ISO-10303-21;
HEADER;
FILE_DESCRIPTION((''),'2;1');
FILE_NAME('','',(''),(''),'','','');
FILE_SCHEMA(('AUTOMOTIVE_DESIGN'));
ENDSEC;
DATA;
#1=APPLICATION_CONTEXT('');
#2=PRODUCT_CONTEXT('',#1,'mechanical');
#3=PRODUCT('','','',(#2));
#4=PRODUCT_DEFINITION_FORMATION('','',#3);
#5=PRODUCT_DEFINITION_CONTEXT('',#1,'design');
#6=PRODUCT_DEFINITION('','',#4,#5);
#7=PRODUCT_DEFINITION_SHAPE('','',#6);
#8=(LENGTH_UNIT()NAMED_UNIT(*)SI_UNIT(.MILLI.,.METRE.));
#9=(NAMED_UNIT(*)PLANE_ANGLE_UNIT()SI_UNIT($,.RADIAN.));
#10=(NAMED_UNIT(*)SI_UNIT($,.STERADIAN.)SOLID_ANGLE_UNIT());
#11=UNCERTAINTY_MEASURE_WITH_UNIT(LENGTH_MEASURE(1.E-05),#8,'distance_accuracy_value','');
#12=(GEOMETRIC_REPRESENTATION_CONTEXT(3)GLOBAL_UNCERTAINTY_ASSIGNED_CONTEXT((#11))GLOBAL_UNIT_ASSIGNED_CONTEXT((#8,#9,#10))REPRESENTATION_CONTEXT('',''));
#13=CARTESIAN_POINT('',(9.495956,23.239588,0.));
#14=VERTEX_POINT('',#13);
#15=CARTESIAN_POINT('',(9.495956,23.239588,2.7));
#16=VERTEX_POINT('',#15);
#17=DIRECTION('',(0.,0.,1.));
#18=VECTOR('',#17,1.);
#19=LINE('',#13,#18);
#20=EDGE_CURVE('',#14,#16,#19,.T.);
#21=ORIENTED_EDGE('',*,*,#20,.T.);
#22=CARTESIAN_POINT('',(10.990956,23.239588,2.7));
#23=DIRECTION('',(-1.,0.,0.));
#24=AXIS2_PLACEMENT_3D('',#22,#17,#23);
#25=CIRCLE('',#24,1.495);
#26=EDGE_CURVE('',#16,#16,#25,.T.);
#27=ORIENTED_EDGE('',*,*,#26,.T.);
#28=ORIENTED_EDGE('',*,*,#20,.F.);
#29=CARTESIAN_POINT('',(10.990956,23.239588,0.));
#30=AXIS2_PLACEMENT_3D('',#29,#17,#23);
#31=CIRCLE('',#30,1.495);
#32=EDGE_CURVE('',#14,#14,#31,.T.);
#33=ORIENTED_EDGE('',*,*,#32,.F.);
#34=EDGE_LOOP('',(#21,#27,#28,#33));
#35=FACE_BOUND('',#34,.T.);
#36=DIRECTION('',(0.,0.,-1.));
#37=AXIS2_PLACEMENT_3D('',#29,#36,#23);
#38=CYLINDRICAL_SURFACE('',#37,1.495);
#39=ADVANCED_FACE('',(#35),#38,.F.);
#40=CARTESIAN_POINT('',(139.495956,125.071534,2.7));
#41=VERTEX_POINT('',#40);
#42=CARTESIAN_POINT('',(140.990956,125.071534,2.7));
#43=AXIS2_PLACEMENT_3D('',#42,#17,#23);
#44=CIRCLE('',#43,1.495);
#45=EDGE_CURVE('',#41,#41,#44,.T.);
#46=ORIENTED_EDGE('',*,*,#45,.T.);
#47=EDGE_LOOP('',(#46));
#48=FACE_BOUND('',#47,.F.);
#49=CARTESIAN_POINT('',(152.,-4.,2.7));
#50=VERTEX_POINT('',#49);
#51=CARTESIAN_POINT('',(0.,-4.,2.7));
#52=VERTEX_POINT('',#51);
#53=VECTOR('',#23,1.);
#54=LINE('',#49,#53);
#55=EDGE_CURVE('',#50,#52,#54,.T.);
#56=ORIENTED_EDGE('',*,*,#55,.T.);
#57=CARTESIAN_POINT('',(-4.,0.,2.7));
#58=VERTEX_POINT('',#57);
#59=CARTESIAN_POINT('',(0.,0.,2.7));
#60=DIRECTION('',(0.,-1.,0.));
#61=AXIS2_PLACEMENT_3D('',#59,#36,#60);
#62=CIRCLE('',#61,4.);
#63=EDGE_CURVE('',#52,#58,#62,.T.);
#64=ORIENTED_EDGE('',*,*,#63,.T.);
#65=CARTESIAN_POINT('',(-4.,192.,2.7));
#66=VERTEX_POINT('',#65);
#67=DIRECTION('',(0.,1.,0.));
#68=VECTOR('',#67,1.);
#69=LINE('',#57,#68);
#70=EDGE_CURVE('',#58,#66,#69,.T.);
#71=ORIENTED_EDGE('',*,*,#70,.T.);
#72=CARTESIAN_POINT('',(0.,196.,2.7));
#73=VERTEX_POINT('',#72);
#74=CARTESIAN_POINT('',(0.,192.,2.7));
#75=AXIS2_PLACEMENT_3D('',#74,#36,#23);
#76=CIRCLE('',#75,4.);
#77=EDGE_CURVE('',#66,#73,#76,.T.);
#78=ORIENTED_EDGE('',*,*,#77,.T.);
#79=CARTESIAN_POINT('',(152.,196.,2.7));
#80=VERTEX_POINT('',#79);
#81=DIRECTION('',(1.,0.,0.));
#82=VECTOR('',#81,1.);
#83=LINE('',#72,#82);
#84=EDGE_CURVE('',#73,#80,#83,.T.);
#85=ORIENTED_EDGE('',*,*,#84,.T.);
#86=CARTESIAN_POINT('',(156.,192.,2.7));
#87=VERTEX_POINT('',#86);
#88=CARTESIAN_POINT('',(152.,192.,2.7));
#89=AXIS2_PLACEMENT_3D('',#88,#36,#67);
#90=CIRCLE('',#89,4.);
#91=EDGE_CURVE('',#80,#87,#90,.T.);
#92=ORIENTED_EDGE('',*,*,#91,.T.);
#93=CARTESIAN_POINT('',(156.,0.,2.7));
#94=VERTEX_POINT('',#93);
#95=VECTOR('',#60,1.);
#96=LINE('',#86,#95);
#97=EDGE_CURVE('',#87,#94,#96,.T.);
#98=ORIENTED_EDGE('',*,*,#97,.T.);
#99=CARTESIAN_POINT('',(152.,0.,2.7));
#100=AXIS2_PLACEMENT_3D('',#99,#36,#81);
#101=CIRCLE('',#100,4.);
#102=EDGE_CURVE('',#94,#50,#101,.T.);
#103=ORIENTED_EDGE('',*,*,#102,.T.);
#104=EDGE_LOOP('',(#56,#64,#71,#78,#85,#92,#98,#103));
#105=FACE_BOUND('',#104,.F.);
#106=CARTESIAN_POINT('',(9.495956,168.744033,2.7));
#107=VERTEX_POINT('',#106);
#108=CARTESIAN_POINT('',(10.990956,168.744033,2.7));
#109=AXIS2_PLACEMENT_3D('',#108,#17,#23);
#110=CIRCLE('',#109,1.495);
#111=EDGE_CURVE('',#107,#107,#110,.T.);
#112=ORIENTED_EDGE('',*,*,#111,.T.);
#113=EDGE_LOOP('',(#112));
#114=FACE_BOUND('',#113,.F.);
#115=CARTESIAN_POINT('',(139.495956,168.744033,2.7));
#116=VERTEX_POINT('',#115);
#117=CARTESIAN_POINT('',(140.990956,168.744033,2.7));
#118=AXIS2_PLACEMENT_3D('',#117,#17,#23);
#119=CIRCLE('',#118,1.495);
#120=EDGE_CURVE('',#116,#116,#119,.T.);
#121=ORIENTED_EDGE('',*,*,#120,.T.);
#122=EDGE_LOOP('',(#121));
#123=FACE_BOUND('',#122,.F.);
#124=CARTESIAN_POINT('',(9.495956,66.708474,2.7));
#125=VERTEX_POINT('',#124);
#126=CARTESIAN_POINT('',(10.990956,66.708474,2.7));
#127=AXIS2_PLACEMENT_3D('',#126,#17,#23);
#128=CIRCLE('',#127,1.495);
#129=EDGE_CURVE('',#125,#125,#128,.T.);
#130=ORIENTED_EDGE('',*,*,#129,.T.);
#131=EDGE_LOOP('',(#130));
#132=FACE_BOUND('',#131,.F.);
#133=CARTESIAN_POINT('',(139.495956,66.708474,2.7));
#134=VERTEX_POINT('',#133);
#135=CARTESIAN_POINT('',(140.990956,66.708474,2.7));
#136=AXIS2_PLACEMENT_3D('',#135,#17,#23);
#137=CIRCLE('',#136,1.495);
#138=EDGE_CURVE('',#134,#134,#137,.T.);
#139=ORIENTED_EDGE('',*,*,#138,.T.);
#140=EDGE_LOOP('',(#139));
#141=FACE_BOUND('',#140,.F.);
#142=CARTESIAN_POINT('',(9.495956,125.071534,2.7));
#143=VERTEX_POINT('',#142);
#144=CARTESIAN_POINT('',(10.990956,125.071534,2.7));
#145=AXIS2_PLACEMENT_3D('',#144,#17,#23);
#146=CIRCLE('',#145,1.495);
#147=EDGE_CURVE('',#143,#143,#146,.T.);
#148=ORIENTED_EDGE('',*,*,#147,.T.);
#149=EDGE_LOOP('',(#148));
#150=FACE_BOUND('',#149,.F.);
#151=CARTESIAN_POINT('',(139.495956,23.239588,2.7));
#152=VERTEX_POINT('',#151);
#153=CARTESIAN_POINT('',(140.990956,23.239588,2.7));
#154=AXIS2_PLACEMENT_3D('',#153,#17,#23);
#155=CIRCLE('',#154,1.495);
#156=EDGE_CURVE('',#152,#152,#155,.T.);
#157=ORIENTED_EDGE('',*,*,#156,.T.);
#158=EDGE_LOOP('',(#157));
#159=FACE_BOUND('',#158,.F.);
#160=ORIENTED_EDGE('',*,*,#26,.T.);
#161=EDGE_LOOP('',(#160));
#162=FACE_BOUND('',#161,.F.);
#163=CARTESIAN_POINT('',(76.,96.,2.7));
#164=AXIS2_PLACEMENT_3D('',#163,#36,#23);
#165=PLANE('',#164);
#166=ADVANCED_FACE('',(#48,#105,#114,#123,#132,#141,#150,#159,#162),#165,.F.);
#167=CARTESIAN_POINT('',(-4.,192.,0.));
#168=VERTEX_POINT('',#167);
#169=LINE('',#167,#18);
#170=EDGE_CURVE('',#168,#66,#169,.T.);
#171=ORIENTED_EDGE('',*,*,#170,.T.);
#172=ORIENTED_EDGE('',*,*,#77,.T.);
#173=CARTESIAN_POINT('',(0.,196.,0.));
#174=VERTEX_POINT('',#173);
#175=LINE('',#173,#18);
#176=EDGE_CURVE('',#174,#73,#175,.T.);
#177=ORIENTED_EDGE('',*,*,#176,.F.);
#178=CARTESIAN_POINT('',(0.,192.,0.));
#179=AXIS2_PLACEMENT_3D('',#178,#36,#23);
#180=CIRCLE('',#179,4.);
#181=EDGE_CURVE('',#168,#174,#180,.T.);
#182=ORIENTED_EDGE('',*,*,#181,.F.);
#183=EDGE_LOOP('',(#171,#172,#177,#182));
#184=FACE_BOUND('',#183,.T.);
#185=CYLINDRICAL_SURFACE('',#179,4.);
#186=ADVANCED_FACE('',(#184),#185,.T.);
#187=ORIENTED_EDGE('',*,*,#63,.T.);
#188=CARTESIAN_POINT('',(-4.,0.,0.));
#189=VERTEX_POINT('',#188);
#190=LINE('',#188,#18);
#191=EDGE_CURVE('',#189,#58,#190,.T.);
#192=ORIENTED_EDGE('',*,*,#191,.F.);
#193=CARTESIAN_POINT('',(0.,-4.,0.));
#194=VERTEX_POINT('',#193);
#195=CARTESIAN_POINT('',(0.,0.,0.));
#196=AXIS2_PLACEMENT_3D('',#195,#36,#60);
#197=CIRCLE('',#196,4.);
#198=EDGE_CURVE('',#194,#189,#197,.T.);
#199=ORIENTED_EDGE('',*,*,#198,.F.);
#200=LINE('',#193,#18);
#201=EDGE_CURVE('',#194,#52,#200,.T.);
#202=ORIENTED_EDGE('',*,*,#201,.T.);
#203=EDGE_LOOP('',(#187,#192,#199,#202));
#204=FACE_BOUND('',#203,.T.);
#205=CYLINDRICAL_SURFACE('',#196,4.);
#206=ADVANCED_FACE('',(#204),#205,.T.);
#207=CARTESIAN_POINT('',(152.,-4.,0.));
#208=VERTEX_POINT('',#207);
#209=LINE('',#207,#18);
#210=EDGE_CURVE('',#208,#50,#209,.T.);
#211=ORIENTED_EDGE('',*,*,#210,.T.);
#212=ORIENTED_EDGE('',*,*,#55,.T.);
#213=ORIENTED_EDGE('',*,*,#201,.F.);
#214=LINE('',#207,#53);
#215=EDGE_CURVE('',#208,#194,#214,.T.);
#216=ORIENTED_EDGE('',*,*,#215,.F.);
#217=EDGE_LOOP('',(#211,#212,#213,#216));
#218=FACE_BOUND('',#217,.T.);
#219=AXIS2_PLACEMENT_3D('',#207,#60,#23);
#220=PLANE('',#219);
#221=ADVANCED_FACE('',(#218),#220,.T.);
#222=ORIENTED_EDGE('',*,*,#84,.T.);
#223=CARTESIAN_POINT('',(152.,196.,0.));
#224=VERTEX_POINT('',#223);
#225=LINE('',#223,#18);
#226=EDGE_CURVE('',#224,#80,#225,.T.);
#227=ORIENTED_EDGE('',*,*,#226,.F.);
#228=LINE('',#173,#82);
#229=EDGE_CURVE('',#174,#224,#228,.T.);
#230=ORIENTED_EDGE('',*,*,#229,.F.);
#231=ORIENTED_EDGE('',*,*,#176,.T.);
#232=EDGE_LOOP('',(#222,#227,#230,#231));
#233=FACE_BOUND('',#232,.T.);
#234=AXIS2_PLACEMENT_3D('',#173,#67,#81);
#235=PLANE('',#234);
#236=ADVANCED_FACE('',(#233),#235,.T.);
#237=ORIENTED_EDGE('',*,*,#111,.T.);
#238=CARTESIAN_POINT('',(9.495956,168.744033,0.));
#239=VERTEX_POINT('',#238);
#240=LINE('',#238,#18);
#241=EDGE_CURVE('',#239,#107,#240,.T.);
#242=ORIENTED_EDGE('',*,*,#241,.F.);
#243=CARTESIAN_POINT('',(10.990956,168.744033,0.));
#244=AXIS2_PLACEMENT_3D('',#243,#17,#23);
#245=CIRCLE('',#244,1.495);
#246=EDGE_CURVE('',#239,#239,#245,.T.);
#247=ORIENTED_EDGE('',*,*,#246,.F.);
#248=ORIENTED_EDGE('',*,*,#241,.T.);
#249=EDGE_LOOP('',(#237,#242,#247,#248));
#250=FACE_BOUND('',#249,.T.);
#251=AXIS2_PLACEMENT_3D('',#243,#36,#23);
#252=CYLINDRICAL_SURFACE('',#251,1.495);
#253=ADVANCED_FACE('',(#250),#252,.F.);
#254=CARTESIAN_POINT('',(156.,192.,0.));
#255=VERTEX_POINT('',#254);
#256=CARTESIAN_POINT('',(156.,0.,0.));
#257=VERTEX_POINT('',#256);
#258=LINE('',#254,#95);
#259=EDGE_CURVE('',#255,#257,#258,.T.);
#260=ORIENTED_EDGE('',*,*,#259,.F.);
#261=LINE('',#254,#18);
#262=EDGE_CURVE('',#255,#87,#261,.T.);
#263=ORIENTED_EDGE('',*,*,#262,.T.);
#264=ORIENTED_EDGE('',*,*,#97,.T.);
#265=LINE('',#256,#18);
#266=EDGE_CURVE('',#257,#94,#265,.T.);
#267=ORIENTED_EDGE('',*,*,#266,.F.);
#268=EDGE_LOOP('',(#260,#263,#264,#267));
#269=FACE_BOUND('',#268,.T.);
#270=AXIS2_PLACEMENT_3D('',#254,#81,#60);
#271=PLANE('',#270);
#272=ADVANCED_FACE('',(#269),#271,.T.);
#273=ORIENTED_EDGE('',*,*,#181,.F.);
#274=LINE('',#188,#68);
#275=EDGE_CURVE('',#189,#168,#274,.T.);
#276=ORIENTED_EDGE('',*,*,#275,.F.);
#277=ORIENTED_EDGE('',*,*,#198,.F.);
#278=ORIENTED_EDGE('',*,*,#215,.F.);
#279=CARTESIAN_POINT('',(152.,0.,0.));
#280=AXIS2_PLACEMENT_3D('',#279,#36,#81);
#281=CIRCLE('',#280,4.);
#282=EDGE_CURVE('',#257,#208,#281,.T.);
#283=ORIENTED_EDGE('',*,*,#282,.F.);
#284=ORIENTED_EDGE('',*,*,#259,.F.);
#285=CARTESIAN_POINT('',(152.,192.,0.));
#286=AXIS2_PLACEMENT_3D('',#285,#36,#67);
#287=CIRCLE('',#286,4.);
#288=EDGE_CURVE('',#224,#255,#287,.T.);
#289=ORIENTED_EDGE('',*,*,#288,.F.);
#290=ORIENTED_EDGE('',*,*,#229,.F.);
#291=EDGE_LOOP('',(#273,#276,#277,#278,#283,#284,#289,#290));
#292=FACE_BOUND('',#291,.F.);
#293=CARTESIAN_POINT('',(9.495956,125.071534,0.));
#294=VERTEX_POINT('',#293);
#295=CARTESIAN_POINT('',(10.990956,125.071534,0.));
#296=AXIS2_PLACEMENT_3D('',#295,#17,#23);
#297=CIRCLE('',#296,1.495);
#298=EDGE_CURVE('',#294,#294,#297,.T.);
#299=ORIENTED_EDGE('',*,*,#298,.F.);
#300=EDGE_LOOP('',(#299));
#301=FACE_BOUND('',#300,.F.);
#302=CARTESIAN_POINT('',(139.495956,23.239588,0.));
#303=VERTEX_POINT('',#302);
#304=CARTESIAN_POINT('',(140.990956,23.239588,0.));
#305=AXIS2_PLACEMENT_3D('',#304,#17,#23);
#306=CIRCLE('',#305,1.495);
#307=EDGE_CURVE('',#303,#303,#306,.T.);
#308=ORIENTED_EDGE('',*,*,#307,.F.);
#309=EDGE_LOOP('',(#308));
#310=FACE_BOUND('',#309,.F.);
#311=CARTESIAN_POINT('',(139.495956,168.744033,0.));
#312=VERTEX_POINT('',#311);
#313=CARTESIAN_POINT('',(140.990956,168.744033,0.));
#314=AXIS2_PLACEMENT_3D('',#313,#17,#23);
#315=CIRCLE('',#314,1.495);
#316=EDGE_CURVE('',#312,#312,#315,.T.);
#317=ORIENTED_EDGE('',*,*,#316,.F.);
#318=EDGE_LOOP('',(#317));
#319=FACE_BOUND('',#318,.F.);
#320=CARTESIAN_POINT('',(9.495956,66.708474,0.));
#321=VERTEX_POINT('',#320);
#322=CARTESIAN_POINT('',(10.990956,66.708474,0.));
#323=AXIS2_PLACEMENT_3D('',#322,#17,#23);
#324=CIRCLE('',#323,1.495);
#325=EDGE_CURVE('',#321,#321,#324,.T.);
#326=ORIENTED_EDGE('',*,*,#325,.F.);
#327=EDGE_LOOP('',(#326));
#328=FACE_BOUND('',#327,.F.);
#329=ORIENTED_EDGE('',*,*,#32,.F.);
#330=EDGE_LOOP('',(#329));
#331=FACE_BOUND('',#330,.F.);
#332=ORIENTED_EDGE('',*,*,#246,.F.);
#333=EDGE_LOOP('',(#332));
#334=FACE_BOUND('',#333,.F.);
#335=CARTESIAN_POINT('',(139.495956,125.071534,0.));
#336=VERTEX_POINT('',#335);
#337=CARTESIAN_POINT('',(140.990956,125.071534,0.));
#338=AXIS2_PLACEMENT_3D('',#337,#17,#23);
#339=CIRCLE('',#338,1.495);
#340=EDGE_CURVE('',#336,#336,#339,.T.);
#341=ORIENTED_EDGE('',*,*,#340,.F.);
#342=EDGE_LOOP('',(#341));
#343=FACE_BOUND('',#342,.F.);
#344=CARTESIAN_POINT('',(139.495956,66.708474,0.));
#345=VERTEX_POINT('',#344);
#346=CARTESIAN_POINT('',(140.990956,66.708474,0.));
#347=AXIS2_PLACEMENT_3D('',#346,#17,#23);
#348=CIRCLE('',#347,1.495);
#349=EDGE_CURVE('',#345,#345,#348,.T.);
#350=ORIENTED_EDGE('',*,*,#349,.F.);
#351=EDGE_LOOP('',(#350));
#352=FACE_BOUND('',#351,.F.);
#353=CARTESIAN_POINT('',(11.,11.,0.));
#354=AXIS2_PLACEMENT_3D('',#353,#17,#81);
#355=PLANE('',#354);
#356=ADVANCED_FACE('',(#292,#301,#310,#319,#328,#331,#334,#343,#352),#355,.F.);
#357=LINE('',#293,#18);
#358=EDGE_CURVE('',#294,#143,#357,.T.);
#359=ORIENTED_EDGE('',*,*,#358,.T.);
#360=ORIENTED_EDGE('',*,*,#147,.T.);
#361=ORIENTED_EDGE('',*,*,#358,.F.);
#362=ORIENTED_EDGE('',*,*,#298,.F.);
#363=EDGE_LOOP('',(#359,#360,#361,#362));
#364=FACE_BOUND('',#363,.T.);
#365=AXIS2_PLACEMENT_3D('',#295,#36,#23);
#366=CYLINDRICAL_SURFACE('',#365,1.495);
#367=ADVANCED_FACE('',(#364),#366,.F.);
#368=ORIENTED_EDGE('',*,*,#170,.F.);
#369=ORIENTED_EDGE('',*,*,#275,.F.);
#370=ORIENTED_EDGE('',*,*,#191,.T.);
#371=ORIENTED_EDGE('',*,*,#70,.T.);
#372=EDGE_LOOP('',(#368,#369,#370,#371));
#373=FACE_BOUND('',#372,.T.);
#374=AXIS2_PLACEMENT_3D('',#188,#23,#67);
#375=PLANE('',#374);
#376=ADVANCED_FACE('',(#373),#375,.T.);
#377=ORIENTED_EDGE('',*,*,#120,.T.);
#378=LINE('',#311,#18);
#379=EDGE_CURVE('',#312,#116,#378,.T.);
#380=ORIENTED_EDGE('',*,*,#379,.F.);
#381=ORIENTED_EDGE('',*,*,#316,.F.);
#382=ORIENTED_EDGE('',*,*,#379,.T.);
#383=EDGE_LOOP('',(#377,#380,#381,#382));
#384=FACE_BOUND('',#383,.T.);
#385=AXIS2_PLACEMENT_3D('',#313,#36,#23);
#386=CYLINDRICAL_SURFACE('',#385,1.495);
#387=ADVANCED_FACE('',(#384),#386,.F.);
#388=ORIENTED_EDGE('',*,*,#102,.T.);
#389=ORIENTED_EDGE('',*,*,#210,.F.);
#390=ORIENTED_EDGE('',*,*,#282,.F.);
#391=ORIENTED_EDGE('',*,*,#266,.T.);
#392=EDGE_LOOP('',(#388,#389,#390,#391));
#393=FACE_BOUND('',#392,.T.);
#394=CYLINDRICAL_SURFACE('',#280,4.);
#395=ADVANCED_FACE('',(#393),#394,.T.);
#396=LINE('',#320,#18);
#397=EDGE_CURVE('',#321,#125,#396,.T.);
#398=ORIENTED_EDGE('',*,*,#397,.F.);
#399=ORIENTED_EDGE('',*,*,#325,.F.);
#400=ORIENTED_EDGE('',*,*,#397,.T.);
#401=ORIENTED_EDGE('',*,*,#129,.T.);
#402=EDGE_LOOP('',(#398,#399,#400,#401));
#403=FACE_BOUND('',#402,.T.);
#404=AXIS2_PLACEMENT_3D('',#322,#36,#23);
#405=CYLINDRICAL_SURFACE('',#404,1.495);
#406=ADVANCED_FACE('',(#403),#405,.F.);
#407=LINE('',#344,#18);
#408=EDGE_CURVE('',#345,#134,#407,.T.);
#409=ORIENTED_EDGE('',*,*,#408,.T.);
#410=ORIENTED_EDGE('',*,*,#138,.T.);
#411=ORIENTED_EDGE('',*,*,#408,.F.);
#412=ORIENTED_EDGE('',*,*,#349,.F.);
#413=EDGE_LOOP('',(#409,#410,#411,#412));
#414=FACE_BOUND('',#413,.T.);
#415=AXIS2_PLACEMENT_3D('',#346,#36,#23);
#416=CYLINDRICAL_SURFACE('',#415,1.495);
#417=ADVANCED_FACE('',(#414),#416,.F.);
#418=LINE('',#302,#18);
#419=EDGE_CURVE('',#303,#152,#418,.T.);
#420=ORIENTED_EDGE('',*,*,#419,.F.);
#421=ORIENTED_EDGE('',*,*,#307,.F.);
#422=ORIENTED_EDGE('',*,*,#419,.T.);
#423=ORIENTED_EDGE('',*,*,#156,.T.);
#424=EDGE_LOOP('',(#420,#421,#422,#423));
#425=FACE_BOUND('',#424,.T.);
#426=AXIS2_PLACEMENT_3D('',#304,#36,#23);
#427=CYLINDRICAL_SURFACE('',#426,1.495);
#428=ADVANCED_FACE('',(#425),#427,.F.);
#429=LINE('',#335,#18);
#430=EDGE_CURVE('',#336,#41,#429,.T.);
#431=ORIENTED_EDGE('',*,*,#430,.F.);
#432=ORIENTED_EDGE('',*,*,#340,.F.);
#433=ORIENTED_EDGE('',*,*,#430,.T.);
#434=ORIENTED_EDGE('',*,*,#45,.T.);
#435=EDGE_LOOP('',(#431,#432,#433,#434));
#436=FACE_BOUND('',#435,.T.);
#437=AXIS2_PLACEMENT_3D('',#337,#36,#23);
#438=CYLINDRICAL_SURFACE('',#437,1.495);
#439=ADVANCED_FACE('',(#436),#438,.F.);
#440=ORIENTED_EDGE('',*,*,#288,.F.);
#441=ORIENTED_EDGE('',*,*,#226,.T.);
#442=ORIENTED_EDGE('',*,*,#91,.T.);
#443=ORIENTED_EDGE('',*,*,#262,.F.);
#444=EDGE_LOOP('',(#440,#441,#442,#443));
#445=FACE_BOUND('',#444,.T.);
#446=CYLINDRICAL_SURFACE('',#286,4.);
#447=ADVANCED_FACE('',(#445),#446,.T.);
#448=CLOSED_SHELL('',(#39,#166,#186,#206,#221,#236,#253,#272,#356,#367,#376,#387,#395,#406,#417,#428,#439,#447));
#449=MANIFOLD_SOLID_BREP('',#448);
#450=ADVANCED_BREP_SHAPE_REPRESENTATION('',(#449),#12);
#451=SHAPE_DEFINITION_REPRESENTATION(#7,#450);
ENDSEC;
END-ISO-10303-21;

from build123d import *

# Parameters (mm, degrees)
SKETCH1_R           = 1.495
SKETCH1_R_2         = 9.688899653
BOSS_EXTRUDE1_DEPTH = 2.7


with BuildPart() as part:
    # Sketch1 → Boss-Extrude1 (new body)
    # profile 1 of 5: a face of its own
    with BuildSketch(Plane.XY):
        with BuildLine():
            Line((0, 196), (152, 196))
            ThreePointArc((152, 196), (154.828427125, 194.828427125), (156, 192))
            Line((156, 192), (156, 0))
            ThreePointArc((156, 0), (154.828427125, -2.828427125), (152, -4))
            Line((152, -4), (0, -4))
            ThreePointArc((0, -4), (-2.828427125, -2.828427125), (-4, 0))
            Line((-4, 0), (-4, 192))
            ThreePointArc((-4, 192), (-2.828427125, 194.828427125), (0, 196))
        make_face()
        with Locations(Location((140.990956122, 66.70847361, 0), (0, 0, 180))):
            Circle(SKETCH1_R, mode=Mode.SUBTRACT)
        with Locations(Location((10.990956122, 66.70847361, 0), (0, 0, 180))):
            Circle(SKETCH1_R, mode=Mode.SUBTRACT)
        with Locations(Location((10.990956122, 125.071533952, 0), (0, 0, 180))):
            Circle(SKETCH1_R, mode=Mode.SUBTRACT)
        with Locations(Location((140.990956122, 23.239588183, 0), (0, 0, 180))):
            Circle(SKETCH1_R, mode=Mode.SUBTRACT)
        with Locations(Location((10.990956122, 23.239588183, 0), (0, 0, 180))):
            Circle(SKETCH1_R, mode=Mode.SUBTRACT)
        with Locations((141, 11)):
            Circle(SKETCH1_R_2, mode=Mode.SUBTRACT)
        with Locations((11, 11)):
            Circle(SKETCH1_R_2, mode=Mode.SUBTRACT)
        with Locations((141, 181)):
            Circle(SKETCH1_R_2, mode=Mode.SUBTRACT)
        with Locations((11, 181)):
            Circle(SKETCH1_R_2, mode=Mode.SUBTRACT)
        with Locations(Location((140.990956122, 168.744033213, 0), (0, 0, 180))):
            Circle(SKETCH1_R, mode=Mode.SUBTRACT)
        with Locations(Location((10.990956122, 168.744033213, 0), (0, 0, 180))):
            Circle(SKETCH1_R, mode=Mode.SUBTRACT)
        with Locations(Location((140.990956122, 125.071533952, 0), (0, 0, 180))):
            Circle(SKETCH1_R, mode=Mode.SUBTRACT)
    # profile 2 of 5: a face of its own
    with BuildSketch(Plane.XY):
        with Locations((11, 181)):
            Circle(SKETCH1_R_2)
    # profile 3 of 5: a face of its own
    with BuildSketch(Plane.XY):
        with Locations((141, 181)):
            Circle(SKETCH1_R_2)
    # profile 4 of 5: a face of its own
    with BuildSketch(Plane.XY):
        with Locations((141, 11)):
            Circle(SKETCH1_R_2)
    # profile 5 of 5: a face of its own
    with BuildSketch(Plane.XY):
        with Locations((11, 11)):
            Circle(SKETCH1_R_2)
    extrude(amount=BOSS_EXTRUDE1_DEPTH)


solid = part.part
